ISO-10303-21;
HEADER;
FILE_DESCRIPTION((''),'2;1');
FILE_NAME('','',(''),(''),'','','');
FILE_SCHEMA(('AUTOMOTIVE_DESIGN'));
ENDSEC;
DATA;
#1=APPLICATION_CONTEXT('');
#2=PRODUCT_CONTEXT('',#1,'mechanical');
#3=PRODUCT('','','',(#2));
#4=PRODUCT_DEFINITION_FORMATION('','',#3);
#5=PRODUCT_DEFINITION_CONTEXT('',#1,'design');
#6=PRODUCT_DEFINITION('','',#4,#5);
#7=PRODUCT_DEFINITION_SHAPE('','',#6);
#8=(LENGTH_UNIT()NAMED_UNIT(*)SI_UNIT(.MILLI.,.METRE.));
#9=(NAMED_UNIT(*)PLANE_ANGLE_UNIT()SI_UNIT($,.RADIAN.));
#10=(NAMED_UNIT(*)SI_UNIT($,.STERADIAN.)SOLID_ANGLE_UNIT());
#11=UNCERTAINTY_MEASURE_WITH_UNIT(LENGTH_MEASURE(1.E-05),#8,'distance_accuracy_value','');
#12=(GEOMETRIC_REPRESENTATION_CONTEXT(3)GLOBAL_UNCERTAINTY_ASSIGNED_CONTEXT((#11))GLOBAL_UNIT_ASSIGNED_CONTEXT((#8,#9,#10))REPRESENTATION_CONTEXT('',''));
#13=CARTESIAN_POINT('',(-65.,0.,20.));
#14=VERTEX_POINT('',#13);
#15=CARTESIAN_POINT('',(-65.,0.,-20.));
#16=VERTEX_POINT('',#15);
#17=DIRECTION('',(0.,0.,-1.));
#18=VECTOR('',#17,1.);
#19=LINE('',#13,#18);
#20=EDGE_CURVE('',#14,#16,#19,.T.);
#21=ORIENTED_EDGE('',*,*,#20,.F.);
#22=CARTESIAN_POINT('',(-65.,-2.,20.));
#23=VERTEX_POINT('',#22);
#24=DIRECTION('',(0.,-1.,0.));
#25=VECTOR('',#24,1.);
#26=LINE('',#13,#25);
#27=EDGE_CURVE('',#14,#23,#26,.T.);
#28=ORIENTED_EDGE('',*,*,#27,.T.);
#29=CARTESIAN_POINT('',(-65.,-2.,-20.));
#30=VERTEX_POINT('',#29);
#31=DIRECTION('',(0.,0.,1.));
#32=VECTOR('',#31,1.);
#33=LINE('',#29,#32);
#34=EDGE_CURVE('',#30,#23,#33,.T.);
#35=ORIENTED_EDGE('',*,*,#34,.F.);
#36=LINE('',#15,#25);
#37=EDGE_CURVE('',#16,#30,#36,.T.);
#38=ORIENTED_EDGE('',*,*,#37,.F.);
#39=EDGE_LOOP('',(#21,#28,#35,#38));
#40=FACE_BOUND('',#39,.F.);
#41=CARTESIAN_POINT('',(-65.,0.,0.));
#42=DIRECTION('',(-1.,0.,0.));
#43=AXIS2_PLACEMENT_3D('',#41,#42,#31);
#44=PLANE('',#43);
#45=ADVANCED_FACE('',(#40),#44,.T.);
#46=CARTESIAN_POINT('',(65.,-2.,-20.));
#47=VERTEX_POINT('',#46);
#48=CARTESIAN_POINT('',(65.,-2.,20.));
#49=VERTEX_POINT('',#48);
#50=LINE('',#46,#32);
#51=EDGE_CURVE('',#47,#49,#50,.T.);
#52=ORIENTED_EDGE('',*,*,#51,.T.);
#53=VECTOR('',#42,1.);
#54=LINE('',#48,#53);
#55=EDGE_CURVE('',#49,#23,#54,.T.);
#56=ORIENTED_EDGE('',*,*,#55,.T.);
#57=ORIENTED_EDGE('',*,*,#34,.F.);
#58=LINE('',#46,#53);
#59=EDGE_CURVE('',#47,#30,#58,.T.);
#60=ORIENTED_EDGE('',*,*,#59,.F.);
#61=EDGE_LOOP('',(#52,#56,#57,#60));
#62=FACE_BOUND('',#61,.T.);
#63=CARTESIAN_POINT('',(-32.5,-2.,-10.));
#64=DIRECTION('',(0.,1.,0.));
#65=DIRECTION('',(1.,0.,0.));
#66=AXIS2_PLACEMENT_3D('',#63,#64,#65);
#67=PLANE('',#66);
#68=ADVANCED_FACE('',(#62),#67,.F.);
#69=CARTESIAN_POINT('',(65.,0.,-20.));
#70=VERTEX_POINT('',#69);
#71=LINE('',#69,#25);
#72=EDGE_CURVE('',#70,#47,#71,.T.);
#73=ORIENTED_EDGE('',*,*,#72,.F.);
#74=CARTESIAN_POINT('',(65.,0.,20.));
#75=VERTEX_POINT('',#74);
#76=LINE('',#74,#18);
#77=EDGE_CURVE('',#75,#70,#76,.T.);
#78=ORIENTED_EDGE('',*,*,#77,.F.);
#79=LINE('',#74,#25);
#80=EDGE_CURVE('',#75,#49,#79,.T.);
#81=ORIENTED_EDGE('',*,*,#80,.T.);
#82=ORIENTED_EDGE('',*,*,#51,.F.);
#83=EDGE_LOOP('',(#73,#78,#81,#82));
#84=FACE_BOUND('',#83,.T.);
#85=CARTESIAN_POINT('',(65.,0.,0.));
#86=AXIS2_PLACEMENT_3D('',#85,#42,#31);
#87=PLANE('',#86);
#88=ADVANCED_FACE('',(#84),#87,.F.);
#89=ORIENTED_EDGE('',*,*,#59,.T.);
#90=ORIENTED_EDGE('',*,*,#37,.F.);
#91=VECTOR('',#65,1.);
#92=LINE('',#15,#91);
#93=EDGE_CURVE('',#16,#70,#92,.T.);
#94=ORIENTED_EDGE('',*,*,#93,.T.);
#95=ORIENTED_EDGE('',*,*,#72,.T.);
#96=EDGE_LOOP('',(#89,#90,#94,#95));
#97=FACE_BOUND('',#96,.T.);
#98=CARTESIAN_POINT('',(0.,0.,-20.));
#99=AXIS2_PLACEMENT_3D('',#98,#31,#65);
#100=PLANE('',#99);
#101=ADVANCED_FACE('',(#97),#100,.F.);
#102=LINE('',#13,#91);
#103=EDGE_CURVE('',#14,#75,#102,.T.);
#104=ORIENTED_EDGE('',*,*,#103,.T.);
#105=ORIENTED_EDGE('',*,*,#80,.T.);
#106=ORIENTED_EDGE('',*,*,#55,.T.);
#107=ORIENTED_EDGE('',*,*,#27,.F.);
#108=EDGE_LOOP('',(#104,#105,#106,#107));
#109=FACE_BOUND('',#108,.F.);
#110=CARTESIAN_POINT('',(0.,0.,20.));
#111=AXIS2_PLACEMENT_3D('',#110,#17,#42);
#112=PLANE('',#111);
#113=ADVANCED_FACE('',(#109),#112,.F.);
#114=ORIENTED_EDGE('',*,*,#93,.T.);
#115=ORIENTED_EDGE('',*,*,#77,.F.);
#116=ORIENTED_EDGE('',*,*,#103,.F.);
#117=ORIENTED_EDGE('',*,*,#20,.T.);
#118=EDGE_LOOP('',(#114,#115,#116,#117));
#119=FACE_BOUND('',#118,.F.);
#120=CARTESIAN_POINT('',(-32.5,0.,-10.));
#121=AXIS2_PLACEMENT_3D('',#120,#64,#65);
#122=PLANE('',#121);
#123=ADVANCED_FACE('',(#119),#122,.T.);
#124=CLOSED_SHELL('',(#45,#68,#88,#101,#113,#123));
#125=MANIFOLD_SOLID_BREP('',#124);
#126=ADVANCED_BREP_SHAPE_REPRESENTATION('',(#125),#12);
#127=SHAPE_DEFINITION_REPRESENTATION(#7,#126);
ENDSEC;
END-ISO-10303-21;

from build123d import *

# Parameters (mm, degrees)
SKETCH002_W                = 65
SKETCH002_H                = 20
PAD001_DEPTH               = 2
SKETCH002_MIRRORED002_2_W  = 65
SKETCH002_MIRRORED002_2_H  = 20
PAD001_MIRRORED002_2_DEPTH = 2


with BuildPart() as part:
    # Sketch002 → Pad001 (new body)
    with BuildSketch(Plane.XZ):
        with Locations((32.5, 10)):
            Rectangle(SKETCH002_W, SKETCH002_H)
    pad001 = extrude(amount=PAD001_DEPTH)

    # Sketch002 Mirrored002 2 → Pad001 Mirrored002 2 (add)
    with BuildSketch(Plane(origin=(0, 0, 0), x_dir=(-1, 0, 0), z_dir=(0, 1, 0))):
        with Locations((32.5, 10)):
            Rectangle(SKETCH002_MIRRORED002_2_W, SKETCH002_MIRRORED002_2_H)
    pad001_mirrored002_2 = extrude(amount=-PAD001_MIRRORED002_2_DEPTH)

    # Mirrored003: Pad001, Pad001 Mirrored002 2 across Sketch002 H_Axis
    add(pad001.mirror(Plane(origin=(0, 0, 0), x_dir=(0, -1, 0), z_dir=(0, 0, 1))))
    add(pad001_mirrored002_2.mirror(Plane(origin=(0, 0, 0), x_dir=(0, -1, 0), z_dir=(0, 0, 1))))


solid = part.part
